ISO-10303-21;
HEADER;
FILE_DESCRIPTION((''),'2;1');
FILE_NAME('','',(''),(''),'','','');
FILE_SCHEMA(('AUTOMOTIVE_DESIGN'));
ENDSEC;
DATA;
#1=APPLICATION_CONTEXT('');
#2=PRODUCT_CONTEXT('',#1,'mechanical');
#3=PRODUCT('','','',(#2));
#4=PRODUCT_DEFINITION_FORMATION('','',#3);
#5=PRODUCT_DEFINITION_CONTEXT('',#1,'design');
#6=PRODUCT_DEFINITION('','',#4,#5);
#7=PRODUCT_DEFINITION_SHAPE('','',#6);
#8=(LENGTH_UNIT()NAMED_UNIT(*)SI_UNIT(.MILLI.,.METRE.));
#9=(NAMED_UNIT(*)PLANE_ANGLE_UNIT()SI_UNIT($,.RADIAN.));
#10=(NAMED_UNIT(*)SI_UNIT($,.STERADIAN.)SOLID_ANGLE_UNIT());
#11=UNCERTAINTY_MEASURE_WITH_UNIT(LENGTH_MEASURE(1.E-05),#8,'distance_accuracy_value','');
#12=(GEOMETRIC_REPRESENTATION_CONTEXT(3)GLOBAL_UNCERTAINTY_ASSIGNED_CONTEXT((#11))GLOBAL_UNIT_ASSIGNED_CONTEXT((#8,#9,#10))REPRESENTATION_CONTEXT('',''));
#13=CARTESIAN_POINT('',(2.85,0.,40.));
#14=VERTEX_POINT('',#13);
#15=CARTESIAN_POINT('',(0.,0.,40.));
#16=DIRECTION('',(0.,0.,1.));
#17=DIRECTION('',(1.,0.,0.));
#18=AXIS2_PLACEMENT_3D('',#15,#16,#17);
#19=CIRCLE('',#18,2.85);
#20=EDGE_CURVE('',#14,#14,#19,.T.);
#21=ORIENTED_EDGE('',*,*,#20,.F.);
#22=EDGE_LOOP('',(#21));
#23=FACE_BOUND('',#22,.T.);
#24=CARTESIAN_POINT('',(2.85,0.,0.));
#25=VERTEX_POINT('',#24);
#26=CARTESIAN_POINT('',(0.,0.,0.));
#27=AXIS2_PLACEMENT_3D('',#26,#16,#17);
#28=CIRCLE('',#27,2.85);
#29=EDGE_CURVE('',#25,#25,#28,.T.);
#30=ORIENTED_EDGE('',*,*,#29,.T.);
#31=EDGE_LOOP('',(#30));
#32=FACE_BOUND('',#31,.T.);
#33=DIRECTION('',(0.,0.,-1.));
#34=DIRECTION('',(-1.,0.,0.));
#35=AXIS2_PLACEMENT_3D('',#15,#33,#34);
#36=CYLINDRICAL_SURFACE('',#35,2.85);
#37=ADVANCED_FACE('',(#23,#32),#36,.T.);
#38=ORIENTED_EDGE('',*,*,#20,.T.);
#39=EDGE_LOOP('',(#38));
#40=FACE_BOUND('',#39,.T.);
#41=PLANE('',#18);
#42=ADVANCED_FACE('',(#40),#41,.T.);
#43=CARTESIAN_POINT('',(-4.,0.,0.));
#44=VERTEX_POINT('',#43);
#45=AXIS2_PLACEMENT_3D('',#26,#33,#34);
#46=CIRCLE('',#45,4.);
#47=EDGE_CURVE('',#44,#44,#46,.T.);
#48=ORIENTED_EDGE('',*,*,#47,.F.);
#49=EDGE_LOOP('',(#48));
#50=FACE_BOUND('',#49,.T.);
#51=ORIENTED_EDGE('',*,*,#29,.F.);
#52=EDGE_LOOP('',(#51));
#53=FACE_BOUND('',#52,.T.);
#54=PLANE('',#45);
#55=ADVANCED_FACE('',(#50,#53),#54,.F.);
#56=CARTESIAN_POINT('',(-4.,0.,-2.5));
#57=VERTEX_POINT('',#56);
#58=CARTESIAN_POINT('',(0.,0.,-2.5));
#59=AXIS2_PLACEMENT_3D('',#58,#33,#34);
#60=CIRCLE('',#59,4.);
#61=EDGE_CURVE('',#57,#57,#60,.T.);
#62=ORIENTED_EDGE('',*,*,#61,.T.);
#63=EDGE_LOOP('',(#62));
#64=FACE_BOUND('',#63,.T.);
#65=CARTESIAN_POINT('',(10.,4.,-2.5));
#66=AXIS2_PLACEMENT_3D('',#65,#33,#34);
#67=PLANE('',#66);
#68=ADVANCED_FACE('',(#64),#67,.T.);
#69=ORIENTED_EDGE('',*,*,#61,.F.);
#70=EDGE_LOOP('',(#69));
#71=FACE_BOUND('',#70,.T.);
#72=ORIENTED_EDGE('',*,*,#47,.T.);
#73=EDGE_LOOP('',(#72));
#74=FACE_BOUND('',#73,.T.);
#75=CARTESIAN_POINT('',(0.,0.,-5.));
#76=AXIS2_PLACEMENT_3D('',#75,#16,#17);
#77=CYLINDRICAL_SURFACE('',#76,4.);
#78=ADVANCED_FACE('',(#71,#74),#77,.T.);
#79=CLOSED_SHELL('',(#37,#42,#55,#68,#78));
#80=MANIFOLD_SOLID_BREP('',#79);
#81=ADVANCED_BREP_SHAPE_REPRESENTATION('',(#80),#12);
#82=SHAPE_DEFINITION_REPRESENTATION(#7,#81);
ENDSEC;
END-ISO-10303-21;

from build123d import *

# Parameters (mm, degrees)
SKETCH1_R               = 2.85
BOSS_EXTRUDE1_DEPTH     = 40
SKETCH2_R               = 4
BOSS_EXTRUDE2_DEPTH     = 5
CUT_EXTRUDE1_DEPTH      = 10
CUT_EXTRUDE1_DEPTH_BACK = 10
SKETCH3_W               = 2.5
SKETCH3_H               = 8


with BuildPart() as part:
    # Sketch1 → Boss-Extrude1 (new body)
    with BuildSketch(Plane.XY):
        Circle(SKETCH1_R)
    extrude(amount=BOSS_EXTRUDE1_DEPTH)

    # Sketch2 → Boss-Extrude2 (add)
    with BuildSketch(Plane(origin=(0, 0, 0), x_dir=(-1, 0, 0), z_dir=(0, 0, -1))):
        Circle(SKETCH2_R)
    extrude(amount=BOSS_EXTRUDE2_DEPTH)

    # Sketch3 → Cut-Extrude1 (cut, two sides: drawn at the far end of the back side and taken through both)
    with BuildSketch(Plane(origin=(0, 0, 0), x_dir=(0, 0, -1), z_dir=(1, 0, 0)).offset(-CUT_EXTRUDE1_DEPTH_BACK)):
        with Locations((3.75, 0)):
            Rectangle(SKETCH3_W, SKETCH3_H)
    extrude(amount=CUT_EXTRUDE1_DEPTH + CUT_EXTRUDE1_DEPTH_BACK, mode=Mode.SUBTRACT)


solid = part.part
